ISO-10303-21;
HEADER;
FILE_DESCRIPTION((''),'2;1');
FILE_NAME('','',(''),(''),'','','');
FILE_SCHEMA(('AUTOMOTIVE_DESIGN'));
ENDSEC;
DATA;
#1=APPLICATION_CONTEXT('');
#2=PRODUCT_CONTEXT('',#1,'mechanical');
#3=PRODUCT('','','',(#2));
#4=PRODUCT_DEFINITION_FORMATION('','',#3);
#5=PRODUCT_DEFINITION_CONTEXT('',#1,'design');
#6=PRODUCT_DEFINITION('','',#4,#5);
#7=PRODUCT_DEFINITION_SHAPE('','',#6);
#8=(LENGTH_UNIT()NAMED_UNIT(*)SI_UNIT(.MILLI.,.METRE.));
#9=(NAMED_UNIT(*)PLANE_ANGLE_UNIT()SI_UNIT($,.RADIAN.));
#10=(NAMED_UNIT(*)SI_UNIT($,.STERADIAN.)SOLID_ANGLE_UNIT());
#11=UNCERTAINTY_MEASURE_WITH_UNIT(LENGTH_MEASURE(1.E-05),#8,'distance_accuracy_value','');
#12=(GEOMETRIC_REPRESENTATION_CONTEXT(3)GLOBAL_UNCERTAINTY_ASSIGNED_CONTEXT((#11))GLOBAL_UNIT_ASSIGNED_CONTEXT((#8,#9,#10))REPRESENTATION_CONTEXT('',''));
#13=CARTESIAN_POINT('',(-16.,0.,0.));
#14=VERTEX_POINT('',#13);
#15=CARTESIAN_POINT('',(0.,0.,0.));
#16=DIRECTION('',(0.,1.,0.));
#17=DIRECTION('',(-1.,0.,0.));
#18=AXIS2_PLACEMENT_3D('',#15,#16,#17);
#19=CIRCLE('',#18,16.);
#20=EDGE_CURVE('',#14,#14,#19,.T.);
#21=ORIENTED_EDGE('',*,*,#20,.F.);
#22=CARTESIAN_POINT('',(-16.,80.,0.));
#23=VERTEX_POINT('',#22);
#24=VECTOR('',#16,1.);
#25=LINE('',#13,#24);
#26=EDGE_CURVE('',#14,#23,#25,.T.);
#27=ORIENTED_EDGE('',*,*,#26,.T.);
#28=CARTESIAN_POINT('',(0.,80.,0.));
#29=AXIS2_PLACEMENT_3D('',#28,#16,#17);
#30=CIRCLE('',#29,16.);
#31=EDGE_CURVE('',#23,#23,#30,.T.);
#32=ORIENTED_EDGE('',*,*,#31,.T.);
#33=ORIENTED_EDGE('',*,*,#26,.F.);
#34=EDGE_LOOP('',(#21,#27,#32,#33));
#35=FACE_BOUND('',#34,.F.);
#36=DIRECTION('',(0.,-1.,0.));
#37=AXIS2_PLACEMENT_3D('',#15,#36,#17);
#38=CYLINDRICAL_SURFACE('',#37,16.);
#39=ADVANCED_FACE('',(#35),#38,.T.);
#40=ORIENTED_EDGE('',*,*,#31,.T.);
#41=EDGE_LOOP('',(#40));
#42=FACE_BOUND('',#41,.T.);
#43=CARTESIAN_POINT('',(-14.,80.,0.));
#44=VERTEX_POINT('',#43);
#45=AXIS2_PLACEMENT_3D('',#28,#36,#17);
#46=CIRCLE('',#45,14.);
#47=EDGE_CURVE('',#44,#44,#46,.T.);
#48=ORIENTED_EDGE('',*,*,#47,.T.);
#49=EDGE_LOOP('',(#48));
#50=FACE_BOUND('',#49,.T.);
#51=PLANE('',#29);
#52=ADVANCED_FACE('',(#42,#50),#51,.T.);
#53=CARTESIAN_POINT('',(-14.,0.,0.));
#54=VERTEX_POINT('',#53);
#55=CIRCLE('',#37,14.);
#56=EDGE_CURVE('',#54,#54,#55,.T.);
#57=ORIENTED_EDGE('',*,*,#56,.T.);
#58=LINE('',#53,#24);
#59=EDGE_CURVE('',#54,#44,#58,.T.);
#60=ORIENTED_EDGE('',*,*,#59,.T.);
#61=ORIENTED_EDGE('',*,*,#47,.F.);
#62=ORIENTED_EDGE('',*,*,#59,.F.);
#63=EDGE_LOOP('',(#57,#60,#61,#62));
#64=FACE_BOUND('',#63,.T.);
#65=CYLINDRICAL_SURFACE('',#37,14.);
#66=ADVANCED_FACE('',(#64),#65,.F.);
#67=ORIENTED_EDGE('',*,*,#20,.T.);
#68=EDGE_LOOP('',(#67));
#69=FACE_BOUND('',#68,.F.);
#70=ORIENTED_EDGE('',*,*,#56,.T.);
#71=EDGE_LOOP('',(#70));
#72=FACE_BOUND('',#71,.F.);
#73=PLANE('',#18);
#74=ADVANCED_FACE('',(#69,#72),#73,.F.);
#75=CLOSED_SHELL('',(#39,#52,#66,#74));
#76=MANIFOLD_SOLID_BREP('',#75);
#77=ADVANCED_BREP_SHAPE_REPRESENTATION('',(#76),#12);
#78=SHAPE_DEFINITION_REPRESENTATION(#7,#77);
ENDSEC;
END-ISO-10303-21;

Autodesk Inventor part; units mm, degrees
ref_plane "YZ Plane" through (0, 0, 0) normal (1, 0, 0) x (0, 1, 0)
ref_plane "XZ Plane" through (0, 0, 0) normal (0, 1, 0) x (-1, 0, 0)
ref_plane "XY Plane" through (0, 0, 0) normal (0, 0, 1) x (1, 0, 0)
sketch "Szkic1" plane through (0, 0, 0) normal (0, 1, 0) x (-1, 0, 0)
  circle A0 centre (0, 0) radius 16
  dimension "d0" = 32
extrude "Wyciągnięcie proste1" add sketch "Szkic1" along normal blind 80
shell "Skorupa1" thickness 2 removed faces 2 at (-4.7224, 0, 2.4785) at (-4.7224, 80, 2.4785)
properties part number "Rura_pionowa_kolka_rzedniego" material "Aluminium AW-7020"
